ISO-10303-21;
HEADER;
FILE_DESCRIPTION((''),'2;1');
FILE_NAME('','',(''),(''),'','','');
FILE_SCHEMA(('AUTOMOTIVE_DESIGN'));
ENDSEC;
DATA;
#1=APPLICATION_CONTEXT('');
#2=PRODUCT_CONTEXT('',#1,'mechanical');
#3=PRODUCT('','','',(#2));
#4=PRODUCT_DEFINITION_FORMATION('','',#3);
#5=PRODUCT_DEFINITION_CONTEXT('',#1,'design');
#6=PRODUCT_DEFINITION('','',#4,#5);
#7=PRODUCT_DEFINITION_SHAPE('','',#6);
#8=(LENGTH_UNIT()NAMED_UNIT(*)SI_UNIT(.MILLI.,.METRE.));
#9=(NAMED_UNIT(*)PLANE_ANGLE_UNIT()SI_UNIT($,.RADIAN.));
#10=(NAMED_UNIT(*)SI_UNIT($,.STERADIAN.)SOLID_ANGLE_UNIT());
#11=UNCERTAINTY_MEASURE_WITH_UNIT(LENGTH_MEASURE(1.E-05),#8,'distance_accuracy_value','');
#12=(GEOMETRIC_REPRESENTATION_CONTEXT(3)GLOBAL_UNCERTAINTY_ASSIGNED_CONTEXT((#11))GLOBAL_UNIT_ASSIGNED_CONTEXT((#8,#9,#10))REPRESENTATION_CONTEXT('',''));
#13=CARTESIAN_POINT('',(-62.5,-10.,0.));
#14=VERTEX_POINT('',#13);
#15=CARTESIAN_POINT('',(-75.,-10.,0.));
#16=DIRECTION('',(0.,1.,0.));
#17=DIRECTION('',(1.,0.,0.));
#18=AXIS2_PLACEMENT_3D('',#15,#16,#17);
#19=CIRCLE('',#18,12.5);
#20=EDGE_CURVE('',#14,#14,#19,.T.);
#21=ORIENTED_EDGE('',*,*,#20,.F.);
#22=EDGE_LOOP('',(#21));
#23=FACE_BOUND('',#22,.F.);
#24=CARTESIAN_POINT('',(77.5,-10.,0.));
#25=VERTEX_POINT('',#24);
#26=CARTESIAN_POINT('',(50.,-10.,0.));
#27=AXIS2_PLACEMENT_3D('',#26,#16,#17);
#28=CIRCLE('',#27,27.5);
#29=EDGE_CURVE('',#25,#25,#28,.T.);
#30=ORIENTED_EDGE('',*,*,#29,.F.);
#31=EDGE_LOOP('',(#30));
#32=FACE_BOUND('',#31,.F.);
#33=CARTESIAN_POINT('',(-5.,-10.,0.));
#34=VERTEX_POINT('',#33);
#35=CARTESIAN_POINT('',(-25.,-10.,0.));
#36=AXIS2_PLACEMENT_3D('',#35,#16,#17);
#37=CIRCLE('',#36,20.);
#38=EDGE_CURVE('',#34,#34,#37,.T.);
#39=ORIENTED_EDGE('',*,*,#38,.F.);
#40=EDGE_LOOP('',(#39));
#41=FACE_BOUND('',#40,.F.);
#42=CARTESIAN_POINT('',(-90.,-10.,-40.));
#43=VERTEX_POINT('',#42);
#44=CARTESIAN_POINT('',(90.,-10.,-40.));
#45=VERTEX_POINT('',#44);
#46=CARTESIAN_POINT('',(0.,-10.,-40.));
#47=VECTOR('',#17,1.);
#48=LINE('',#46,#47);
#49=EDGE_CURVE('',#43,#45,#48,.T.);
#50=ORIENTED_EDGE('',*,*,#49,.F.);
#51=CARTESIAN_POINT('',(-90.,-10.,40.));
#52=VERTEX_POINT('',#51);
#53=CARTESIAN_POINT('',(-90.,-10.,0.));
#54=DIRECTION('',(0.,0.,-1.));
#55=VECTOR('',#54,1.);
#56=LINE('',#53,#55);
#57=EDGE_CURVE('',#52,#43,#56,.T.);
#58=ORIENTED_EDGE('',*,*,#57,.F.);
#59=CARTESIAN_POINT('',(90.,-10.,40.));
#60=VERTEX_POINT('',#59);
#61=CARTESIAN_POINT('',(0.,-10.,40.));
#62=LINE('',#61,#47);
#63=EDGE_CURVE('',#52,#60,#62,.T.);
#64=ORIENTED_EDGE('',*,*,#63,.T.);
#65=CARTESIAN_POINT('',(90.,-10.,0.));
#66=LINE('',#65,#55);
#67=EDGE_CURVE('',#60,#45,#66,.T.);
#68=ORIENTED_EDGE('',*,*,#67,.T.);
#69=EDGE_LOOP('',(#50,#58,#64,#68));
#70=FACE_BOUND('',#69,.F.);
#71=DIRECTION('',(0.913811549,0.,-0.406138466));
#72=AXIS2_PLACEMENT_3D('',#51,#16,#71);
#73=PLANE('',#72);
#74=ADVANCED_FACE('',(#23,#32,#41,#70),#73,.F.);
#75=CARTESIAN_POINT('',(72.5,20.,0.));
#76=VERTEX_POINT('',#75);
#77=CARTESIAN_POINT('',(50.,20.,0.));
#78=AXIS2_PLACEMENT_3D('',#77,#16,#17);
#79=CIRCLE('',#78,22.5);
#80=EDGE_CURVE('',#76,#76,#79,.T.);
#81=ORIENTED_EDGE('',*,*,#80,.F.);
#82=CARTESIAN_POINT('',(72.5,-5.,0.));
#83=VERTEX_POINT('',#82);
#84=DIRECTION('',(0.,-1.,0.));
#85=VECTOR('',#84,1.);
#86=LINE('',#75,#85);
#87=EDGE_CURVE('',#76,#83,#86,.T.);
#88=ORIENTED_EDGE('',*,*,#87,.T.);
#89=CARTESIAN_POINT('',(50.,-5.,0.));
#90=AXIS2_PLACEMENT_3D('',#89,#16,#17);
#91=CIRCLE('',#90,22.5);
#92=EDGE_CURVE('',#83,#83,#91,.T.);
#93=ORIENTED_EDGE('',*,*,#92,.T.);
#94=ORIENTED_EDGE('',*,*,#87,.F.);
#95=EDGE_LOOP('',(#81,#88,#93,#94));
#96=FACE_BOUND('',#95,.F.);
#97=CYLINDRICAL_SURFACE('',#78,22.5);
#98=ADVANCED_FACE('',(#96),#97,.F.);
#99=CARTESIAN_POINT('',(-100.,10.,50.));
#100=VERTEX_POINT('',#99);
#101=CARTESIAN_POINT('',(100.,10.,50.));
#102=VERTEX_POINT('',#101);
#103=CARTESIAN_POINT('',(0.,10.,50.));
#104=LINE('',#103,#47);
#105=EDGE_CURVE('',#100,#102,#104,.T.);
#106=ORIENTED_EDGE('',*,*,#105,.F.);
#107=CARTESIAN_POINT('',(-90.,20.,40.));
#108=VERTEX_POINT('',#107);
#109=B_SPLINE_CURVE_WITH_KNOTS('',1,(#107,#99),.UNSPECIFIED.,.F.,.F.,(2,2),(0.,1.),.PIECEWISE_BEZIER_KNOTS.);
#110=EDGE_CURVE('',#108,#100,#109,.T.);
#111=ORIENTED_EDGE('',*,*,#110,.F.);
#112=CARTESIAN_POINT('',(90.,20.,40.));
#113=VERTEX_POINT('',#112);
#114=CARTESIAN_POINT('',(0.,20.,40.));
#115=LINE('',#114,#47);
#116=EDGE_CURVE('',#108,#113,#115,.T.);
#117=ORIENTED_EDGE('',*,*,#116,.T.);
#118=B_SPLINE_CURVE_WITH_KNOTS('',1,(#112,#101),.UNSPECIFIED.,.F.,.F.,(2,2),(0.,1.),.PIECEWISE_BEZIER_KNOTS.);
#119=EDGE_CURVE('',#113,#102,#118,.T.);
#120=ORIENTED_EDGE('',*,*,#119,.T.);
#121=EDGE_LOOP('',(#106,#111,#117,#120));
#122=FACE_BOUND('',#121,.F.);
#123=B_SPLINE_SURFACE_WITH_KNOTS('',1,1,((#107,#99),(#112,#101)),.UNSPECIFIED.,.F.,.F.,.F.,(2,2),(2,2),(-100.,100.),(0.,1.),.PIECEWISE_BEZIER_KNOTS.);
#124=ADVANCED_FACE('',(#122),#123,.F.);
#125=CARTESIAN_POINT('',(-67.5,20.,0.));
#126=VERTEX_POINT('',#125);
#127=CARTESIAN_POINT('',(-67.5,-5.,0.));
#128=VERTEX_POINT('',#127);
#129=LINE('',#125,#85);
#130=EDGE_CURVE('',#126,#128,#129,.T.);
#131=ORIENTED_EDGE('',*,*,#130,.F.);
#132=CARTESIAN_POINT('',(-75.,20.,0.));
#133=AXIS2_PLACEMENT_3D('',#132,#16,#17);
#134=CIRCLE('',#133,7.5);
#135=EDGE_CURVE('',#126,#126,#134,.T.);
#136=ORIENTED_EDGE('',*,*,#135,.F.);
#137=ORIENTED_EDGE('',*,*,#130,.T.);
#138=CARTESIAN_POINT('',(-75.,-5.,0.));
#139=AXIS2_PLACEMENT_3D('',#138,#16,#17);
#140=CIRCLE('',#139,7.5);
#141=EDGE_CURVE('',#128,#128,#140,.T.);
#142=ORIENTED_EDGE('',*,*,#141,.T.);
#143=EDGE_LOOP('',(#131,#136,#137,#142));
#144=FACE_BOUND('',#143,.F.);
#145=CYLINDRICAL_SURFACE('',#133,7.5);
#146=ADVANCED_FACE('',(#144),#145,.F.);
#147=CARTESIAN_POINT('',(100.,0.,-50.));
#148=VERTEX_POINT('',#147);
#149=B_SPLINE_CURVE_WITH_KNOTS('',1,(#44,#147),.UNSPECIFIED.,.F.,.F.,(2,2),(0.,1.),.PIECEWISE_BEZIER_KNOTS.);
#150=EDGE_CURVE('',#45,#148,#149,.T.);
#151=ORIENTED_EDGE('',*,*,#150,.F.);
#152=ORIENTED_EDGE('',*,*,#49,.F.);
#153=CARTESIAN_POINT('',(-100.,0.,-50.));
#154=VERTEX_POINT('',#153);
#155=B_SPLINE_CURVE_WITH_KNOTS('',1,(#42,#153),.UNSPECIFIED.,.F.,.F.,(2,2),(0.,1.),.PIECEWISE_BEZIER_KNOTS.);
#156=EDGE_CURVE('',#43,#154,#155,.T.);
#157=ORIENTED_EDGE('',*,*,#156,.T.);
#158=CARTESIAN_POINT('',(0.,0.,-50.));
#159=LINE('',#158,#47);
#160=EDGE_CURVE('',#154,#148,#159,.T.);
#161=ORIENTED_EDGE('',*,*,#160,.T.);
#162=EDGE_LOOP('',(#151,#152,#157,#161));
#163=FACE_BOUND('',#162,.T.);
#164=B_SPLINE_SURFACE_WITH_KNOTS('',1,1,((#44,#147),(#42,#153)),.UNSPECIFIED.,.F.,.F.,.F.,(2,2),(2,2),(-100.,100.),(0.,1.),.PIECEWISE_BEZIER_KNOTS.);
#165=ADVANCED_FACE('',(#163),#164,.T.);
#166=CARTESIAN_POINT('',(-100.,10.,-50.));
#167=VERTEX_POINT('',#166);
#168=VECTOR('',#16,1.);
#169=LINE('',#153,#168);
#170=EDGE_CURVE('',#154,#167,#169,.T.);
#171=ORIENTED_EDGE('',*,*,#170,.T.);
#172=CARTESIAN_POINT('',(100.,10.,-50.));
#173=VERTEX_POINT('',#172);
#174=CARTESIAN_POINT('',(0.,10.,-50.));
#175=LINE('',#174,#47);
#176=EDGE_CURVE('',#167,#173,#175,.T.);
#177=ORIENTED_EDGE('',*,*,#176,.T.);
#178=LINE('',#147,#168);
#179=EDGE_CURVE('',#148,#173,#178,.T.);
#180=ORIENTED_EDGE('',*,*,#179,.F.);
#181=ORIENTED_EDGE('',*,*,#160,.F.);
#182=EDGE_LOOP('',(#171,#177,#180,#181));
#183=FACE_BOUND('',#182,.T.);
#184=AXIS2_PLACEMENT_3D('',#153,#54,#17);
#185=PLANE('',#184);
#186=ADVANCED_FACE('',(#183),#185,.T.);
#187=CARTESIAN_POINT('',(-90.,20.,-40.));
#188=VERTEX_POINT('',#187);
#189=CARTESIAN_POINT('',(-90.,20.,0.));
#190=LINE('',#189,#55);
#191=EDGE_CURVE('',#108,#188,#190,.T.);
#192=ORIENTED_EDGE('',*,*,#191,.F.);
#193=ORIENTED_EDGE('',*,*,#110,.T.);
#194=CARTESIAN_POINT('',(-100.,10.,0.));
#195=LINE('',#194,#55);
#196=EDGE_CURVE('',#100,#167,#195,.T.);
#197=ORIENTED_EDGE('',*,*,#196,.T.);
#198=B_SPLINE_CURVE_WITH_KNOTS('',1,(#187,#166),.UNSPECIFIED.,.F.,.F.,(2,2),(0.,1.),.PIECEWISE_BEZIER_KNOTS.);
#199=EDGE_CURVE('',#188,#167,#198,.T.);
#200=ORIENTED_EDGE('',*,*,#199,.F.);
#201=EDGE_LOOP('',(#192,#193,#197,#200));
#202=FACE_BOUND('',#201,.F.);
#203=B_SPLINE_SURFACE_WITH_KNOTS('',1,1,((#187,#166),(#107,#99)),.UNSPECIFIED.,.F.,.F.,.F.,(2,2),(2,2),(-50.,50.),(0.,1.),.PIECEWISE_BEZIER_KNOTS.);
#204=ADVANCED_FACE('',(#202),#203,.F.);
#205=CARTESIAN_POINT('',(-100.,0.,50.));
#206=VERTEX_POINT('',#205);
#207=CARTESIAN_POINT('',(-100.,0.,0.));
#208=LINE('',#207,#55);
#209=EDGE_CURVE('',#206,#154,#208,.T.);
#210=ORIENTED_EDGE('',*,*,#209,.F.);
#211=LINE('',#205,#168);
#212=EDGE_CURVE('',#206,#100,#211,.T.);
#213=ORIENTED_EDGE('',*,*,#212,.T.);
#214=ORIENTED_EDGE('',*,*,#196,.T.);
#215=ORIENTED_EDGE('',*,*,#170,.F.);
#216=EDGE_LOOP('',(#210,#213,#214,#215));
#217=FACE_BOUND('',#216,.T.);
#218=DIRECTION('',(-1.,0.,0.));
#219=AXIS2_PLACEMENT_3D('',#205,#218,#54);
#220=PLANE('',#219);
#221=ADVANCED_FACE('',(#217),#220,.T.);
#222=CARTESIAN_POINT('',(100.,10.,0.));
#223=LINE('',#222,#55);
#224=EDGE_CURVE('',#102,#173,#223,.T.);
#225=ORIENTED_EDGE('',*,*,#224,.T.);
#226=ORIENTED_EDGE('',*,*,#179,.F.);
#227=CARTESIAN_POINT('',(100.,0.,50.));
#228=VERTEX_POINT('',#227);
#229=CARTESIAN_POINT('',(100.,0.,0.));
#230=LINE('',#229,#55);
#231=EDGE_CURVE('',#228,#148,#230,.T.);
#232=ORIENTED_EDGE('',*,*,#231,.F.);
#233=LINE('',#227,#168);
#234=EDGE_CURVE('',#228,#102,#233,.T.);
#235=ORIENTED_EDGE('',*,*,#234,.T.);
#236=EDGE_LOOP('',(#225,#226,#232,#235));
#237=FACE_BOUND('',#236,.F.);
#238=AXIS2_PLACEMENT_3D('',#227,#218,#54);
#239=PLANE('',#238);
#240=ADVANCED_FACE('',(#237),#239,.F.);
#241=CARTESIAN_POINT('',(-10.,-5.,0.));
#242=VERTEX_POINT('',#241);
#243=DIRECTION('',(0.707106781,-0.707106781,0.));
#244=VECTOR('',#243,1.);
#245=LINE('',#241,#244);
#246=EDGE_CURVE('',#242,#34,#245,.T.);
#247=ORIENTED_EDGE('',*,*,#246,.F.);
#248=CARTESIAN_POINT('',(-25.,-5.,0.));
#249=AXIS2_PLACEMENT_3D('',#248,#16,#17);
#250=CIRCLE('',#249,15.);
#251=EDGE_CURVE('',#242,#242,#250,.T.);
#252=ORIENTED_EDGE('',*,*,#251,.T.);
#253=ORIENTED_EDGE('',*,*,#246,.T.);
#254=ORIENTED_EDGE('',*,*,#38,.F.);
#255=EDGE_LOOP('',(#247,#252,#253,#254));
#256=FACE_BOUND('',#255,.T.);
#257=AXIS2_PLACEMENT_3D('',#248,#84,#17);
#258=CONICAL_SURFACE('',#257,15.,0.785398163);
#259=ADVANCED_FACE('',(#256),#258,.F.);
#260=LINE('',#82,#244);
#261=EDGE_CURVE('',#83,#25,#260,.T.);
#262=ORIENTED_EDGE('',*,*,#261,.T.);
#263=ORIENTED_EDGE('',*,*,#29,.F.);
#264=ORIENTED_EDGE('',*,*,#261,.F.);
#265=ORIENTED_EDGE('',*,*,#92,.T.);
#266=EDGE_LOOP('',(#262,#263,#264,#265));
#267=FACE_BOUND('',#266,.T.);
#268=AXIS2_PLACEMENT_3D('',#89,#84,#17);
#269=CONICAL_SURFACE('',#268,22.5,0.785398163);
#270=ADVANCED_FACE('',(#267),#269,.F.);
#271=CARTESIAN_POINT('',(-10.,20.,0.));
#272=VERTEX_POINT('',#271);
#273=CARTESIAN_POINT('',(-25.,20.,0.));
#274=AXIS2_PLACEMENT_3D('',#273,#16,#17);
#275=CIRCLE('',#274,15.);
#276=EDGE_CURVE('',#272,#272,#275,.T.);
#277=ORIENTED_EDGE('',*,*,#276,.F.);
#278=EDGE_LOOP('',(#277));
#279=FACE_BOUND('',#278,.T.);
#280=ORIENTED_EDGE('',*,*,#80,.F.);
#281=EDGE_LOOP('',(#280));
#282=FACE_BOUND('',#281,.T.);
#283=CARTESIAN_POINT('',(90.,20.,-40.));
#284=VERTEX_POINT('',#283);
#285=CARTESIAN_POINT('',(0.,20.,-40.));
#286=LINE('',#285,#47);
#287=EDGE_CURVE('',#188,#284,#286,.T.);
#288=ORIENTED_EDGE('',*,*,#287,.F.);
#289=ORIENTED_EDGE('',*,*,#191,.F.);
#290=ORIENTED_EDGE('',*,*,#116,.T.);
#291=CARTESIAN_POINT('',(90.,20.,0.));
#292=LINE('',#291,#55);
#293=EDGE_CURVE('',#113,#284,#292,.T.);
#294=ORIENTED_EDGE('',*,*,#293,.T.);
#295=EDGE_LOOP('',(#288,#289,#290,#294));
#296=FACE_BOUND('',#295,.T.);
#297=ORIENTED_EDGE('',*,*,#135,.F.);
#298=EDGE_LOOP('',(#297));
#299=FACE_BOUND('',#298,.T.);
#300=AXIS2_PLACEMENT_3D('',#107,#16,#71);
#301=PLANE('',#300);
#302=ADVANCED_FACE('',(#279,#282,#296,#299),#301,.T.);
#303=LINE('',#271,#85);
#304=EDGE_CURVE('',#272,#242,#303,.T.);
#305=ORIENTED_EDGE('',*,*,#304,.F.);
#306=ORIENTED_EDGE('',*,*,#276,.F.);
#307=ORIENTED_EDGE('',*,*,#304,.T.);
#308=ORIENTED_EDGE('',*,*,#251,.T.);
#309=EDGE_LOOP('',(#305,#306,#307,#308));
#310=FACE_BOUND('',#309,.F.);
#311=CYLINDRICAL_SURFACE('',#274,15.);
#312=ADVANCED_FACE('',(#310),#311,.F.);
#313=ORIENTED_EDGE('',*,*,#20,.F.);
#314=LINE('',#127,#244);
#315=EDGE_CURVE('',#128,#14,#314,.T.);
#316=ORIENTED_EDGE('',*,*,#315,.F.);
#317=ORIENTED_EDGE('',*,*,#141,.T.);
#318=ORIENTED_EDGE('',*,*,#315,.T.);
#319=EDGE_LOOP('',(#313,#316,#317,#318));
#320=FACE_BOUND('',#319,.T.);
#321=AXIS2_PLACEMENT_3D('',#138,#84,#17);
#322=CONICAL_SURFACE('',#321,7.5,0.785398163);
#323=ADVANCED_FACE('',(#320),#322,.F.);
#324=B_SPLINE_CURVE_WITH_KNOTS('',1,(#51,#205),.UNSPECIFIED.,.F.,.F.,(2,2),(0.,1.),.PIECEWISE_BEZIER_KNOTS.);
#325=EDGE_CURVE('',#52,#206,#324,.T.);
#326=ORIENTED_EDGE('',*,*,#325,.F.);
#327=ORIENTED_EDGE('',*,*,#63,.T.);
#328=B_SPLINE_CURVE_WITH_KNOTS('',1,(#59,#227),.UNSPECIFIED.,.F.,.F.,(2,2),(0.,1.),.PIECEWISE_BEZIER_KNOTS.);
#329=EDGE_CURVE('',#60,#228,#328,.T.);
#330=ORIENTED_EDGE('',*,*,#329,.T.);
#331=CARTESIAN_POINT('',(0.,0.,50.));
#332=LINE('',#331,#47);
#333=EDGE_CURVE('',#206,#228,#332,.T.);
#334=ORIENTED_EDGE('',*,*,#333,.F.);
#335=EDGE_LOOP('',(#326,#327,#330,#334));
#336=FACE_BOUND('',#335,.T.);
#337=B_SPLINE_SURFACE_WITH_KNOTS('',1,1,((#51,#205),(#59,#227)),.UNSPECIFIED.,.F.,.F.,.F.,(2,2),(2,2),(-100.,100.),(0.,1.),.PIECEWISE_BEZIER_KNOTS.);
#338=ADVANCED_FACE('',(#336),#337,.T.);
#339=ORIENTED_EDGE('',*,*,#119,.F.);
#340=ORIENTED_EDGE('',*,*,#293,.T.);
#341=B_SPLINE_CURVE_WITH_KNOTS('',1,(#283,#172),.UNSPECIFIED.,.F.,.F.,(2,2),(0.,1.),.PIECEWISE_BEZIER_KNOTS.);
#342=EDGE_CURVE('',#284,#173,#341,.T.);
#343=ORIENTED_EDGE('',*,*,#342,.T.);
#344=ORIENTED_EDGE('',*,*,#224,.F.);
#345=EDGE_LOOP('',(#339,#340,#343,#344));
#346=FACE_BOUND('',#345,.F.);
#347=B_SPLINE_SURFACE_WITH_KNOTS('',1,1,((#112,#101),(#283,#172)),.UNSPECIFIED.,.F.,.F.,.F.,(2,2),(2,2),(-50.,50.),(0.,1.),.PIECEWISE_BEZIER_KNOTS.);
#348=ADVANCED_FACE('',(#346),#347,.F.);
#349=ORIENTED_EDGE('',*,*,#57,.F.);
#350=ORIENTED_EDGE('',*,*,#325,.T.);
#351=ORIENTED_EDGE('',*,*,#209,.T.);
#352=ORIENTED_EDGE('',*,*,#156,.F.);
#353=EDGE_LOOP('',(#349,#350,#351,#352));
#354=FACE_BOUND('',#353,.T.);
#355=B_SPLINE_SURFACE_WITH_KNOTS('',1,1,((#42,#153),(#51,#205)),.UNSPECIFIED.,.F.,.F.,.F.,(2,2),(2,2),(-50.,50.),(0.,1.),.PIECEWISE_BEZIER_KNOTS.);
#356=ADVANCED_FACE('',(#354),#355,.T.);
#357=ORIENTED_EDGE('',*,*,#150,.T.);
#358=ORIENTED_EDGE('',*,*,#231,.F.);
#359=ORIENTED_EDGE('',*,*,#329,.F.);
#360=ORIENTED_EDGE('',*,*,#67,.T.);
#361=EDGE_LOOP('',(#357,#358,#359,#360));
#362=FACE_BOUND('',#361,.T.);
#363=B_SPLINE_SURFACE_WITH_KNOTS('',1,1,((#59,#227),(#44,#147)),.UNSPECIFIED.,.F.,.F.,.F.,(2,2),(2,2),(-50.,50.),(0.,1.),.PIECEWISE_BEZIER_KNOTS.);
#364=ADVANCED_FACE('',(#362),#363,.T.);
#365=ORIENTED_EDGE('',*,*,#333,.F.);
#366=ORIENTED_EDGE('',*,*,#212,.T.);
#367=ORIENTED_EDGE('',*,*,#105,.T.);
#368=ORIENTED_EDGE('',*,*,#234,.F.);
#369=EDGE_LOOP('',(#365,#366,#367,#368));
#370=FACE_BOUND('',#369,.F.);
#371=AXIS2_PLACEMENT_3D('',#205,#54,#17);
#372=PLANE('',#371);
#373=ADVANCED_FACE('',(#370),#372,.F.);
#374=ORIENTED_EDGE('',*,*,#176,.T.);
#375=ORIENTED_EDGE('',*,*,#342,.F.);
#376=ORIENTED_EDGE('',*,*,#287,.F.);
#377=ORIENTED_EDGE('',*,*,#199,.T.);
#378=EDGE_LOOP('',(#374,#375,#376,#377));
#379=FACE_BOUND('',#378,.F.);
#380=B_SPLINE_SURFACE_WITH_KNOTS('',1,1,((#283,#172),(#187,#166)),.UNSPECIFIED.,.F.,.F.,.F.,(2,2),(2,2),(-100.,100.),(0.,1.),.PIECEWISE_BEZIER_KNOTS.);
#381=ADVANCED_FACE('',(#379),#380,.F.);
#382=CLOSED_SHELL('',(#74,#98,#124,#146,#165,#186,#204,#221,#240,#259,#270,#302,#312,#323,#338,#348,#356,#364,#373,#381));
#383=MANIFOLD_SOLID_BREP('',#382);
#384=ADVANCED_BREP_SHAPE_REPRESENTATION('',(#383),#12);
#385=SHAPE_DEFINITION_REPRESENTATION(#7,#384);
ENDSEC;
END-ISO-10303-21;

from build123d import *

# Parameters (mm, degrees)
CROQUIS1_W              = 200
CROQUIS1_H              = 100
SALIENTE_EXTRUIR1_DEPTH = 10
CROQUIS2_W              = 180
CROQUIS2_H              = 80
CROQUIS3_W              = 180
CROQUIS3_H              = 80
CROQUIS4_R              = 7.5
CROQUIS4_R_2            = 15
CROQUIS4_R_3            = 22.5
CORTAR_EXTRUIR1_DEPTH   = 30
CHAFL_N2_SIZE           = 5


with BuildPart() as part:
    # Croquis1 → Saliente-Extruir1 (new body)
    with BuildSketch(Plane(origin=(0, 0, 0), x_dir=(1, 0, 0), z_dir=(0, 1, 0))):
        Rectangle(CROQUIS1_W, CROQUIS1_H)
    extrude(amount=SALIENTE_EXTRUIR1_DEPTH)

    # Croquis2 → section 0 of recubrir1
    with BuildSketch(Plane(origin=(0, -10, 0), x_dir=(1, 0, 0), z_dir=(0, 1, 0)), mode=Mode.PRIVATE) as recubrir1_s0:
        Rectangle(CROQUIS2_W, CROQUIS2_H)
    # loft up to a face of the part (recubrir1)
    loft([recubrir1_s0.sketch, part.faces().sort_by_distance((0, 0, 0))[0]])

    # Croquis3 → section 0 of recubrir2
    with BuildSketch(Plane(origin=(0, 20, 0), x_dir=(1, 0, 0), z_dir=(0, 1, 0)), mode=Mode.PRIVATE) as recubrir2_s0:
        Rectangle(CROQUIS3_W, CROQUIS3_H)
    # loft up to a face of the part (recubrir2)
    loft([recubrir2_s0.sketch, part.faces().sort_by_distance((0, 10, 0))[0]])

    # Croquis4 → Cortar-Extruir1 (cut)
    with BuildSketch(Plane(origin=(0, 20, 0), x_dir=(1, 0, 0), z_dir=(0, 1, 0))):
        with Locations((-75, 0)):
            Circle(CROQUIS4_R)
        with Locations((-25, 0)):
            Circle(CROQUIS4_R_2)
        with Locations((50, 0)):
            Circle(CROQUIS4_R_3)
    extrude(amount=-CORTAR_EXTRUIR1_DEPTH, mode=Mode.SUBTRACT)

    # Chaflán2
    chafl_n2_edges = [part.edges().sort_by_distance(p)[0] for p in [
        (-82.5, -10, 0),
        (-40, -10, 0),
        (27.5, -10, 0),
    ]]
    chamfer(chafl_n2_edges, length=CHAFL_N2_SIZE)


solid = part.part
